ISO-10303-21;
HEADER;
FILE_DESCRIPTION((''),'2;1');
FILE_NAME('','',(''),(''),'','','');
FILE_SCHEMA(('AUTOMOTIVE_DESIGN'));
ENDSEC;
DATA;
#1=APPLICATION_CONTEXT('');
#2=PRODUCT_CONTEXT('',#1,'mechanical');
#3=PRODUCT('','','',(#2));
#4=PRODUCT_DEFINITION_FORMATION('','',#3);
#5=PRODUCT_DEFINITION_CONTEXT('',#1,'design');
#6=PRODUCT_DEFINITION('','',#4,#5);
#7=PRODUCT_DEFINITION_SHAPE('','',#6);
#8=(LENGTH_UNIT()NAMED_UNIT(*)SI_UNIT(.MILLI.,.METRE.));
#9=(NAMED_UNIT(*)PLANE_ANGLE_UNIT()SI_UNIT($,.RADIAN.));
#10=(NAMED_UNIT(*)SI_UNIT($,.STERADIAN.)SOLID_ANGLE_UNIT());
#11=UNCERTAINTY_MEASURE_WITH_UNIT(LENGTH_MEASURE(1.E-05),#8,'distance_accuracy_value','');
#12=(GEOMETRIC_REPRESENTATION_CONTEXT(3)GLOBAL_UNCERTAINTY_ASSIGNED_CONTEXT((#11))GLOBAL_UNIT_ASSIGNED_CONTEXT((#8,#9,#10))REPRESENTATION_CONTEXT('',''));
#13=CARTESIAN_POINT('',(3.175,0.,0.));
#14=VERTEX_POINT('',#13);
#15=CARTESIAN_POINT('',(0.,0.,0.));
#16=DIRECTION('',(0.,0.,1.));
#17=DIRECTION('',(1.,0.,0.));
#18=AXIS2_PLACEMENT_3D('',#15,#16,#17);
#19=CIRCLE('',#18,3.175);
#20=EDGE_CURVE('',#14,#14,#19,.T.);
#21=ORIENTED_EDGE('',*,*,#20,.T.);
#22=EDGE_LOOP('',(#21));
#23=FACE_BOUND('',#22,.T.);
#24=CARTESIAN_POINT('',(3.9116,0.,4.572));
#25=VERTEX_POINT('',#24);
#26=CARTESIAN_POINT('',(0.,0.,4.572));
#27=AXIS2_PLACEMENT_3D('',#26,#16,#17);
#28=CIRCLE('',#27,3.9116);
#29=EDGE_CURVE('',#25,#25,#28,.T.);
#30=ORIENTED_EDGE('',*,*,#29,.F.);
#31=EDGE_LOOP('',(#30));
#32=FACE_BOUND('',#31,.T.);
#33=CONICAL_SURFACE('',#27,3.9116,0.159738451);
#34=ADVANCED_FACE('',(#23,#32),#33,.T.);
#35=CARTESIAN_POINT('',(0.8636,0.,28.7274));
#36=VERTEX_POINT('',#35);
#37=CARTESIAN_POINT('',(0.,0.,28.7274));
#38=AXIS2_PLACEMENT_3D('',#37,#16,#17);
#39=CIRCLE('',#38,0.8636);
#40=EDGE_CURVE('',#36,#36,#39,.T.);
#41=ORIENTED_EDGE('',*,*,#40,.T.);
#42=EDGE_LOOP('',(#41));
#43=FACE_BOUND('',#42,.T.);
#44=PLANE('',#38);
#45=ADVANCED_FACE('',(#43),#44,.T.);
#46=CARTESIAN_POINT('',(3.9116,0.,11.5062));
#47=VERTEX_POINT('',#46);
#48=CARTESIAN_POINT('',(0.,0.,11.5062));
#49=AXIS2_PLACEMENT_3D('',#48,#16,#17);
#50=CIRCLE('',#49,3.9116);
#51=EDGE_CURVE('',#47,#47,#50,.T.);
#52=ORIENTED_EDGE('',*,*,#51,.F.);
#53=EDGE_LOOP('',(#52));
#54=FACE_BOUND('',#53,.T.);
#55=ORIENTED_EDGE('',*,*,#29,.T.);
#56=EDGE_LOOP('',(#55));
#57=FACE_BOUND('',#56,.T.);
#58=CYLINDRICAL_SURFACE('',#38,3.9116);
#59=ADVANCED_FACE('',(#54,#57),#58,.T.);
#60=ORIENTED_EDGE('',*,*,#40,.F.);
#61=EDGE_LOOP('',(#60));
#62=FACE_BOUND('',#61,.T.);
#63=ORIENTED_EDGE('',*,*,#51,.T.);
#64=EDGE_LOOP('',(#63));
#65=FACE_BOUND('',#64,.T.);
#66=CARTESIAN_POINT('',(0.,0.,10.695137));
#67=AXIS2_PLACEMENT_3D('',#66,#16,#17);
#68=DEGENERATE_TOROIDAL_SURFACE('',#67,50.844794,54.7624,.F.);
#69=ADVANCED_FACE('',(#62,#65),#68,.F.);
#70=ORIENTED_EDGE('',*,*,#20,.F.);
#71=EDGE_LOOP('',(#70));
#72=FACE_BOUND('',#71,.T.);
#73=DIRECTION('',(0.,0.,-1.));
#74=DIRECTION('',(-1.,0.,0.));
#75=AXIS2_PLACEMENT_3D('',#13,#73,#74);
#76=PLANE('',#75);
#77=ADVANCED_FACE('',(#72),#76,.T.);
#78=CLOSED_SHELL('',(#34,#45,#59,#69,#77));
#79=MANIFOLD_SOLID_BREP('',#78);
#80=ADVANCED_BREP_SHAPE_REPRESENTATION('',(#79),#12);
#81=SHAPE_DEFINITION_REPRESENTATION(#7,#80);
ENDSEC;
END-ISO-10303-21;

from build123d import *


with BuildPart() as part:
    # .308 Winchester → Revolve2 (revolve)
    with BuildSketch(Plane(origin=(0, 0, 0), x_dir=(1, 0, 0), z_dir=(0, 1, 0))):
        with BuildLine():
            Line((3.9116, -4.572), (3.175, 0))
            Line((3.175, 0), (0, 0))
            Line((0, 0), (0, -28.7274))
            Line((0, -28.7274), (0.8636, -28.7274))
            ThreePointArc((0.8636, -28.7274), (3.079506682, -20.23926136), (3.9116, -11.5062))
            Line((3.9116, -11.5062), (3.9116, -4.572))
        make_face()
    revolve(axis=Axis((0, 0, 28.7274), (0, 0, -1)))


solid = part.part
